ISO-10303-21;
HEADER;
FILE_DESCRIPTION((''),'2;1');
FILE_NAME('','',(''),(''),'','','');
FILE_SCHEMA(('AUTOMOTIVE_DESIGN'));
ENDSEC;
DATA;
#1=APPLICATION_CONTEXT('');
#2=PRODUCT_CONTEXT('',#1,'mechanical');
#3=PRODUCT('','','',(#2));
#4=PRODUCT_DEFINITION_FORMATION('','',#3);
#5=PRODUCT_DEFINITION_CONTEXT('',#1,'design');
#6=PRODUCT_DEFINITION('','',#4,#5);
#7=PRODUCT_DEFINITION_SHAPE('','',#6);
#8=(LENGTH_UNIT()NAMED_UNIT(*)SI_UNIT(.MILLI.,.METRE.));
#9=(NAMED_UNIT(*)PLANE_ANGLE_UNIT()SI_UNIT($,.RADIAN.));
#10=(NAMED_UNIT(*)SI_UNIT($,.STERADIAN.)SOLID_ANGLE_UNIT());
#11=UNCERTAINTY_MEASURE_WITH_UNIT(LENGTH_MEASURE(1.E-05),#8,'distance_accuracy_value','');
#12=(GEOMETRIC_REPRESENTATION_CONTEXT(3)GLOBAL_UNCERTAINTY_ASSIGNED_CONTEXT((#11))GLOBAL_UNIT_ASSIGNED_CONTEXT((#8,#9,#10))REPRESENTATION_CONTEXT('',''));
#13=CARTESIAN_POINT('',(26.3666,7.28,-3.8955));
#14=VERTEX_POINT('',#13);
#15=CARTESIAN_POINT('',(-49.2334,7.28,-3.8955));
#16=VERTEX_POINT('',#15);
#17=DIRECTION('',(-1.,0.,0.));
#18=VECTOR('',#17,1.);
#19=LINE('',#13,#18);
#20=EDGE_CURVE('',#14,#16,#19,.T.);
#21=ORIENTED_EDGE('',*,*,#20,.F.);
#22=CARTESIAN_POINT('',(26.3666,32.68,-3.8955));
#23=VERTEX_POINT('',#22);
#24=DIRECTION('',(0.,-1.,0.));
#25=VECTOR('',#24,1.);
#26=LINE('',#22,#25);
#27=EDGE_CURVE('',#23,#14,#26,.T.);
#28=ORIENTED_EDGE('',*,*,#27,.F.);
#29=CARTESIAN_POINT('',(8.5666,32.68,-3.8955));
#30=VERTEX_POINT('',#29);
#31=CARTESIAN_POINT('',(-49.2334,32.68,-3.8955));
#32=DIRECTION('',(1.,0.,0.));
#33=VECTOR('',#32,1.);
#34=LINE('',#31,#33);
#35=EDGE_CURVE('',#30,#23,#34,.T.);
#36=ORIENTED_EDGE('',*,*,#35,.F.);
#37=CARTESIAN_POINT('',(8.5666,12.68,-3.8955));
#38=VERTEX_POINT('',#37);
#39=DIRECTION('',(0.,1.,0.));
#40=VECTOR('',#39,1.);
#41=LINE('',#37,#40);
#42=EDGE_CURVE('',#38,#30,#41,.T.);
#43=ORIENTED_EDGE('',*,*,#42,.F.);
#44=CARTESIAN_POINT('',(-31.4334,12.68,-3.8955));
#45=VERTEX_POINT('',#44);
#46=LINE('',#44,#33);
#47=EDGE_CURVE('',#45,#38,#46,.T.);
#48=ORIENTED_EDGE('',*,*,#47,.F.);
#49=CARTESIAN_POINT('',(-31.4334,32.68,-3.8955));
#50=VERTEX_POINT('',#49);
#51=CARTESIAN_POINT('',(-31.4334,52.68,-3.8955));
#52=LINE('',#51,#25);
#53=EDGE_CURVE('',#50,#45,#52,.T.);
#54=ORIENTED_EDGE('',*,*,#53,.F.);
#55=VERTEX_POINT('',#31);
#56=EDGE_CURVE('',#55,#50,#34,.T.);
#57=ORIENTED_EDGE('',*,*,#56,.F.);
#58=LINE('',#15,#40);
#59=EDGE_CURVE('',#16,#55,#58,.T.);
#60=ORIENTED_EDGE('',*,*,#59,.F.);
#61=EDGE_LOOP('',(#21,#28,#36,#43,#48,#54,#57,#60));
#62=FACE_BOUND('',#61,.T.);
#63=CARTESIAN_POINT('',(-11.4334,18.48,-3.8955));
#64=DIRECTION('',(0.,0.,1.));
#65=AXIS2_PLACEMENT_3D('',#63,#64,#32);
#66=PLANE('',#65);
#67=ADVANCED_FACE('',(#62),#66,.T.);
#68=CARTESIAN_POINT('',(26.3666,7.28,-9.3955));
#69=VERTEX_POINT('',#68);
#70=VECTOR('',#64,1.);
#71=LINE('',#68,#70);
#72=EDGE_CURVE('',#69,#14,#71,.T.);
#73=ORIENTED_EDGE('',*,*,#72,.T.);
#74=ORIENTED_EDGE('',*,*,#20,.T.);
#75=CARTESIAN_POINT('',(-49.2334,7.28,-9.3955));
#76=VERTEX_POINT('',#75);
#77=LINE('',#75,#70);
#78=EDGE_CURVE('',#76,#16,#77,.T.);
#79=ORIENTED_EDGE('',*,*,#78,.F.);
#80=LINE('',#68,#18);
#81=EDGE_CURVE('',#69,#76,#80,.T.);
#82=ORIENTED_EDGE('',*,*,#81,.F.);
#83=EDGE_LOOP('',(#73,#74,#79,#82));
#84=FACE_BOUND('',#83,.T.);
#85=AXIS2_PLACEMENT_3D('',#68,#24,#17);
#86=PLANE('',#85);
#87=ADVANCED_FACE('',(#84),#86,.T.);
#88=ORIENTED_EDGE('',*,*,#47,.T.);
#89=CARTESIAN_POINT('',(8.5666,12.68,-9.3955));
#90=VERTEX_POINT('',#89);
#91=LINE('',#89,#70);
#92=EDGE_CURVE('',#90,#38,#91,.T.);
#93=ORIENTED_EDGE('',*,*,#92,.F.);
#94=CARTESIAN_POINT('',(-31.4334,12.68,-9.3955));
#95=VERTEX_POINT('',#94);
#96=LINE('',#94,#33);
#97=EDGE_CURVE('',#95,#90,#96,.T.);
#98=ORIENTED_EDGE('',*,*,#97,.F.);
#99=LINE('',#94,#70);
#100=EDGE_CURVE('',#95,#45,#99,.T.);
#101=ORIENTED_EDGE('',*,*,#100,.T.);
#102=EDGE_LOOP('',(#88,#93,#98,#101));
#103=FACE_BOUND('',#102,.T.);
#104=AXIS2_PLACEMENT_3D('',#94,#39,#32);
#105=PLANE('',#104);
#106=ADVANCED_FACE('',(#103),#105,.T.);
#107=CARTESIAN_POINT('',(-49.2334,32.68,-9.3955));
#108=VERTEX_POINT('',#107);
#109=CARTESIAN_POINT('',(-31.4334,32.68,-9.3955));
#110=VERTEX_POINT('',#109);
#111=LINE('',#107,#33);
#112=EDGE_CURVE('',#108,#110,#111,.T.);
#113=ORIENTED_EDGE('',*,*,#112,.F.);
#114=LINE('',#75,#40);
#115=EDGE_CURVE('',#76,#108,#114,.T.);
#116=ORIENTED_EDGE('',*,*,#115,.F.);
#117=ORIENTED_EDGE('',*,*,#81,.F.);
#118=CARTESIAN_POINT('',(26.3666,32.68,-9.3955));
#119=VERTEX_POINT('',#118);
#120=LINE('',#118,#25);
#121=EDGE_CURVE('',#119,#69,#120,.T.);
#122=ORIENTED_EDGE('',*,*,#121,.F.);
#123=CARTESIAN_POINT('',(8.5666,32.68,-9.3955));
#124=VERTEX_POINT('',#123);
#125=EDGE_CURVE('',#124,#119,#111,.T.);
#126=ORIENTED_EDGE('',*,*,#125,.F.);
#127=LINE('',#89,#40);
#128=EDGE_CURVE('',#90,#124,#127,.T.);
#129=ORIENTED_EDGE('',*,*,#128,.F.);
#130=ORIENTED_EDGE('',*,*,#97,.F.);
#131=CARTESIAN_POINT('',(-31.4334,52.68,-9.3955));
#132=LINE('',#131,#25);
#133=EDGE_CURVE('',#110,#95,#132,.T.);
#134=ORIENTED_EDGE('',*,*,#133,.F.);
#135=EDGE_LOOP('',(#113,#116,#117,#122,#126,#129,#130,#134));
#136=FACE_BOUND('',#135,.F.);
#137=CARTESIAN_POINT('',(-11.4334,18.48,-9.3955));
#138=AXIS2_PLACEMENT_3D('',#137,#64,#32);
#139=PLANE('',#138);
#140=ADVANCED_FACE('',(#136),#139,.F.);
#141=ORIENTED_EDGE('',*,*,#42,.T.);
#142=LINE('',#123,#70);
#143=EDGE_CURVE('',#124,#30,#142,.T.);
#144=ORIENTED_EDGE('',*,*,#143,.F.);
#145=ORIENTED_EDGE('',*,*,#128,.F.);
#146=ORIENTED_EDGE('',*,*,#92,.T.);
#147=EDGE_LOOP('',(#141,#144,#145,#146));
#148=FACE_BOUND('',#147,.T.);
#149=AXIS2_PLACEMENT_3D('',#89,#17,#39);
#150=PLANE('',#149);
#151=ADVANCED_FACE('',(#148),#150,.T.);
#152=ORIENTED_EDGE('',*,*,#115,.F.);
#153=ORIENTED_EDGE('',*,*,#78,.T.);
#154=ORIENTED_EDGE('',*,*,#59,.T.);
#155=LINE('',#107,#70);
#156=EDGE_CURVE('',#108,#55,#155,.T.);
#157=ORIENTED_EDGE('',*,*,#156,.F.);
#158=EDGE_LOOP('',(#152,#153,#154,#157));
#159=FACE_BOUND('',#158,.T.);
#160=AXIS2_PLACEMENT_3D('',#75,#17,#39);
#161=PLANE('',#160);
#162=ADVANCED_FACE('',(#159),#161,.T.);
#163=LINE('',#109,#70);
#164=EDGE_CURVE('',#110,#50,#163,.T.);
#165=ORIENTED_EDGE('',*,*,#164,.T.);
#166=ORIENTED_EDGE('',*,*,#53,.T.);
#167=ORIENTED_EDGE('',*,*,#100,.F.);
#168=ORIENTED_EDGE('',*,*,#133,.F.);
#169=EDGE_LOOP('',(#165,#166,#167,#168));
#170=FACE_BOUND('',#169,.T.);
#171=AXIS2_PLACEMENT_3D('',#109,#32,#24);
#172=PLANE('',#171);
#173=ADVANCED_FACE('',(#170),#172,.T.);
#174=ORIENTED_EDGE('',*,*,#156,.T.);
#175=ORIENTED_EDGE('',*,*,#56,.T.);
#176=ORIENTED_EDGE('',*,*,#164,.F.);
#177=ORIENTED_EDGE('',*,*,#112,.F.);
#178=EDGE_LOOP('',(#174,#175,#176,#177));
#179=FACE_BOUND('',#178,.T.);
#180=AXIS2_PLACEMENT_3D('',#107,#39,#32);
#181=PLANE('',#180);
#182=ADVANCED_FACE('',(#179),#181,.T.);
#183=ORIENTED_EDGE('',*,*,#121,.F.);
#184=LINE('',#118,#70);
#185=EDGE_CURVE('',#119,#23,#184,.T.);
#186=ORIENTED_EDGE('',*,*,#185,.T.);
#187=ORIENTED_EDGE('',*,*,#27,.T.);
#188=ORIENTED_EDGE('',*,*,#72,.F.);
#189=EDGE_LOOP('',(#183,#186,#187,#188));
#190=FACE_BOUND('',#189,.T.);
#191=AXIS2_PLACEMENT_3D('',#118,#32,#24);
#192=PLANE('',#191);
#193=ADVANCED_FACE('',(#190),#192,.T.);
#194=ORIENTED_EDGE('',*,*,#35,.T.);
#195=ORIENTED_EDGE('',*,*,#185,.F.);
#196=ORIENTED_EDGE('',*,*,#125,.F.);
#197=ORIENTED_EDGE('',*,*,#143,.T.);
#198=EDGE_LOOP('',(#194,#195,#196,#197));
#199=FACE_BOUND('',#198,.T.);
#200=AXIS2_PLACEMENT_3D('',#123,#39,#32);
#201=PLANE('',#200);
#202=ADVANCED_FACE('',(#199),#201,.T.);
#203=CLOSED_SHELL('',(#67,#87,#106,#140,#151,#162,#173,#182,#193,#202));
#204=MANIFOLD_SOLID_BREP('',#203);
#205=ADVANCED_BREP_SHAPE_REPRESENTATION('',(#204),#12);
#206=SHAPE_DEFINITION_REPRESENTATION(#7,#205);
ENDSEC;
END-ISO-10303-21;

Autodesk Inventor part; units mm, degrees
ref_plane "YZ Plane" through (0, 0, 0) normal (1, 0, 0) x (0, 1, 0)
ref_plane "XZ Plane" through (0, 0, 0) normal (0, 1, 0) x (-1, 0, 0)
ref_plane "XY Plane" through (0, 0, 0) normal (0, 0, 1) x (1, 0, 0)
ref_plane "Arbeitsebene1" through (-11.4334, 18.48, -9.3955) normal (0, 0, 1) x (1, 0, 0)
sketch "Skizze1" plane through (-11.4334, 18.48, -9.3955) normal (0, 0, 1) x (1, 0, 0)
  line L0 (-38, 14.4) -> (38, 14.4) projected
  line L1 (-38, -11.4) -> (-38, 14.4) projected
  line L2 (38, -11.4) -> (-38, -11.4) projected
  line L3 (38, 14.4) -> (38, -11.4) projected
  line L4 (-37.8, 14.2) -> (37.8, 14.2)
  line L5 (37.8, 14.2) -> (37.8, -11.2)
  line L6 (37.8, -11.2) -> (-37.8, -11.2)
  line L7 (-37.8, -11.2) -> (-37.8, 14.2)
  line L8 (20, 34.2) -> (-20, 34.2)
  line L9 (-20, 34.2) -> (-20, -5.8)
  line L10 (-20, -5.8) -> (20, -5.8)
  line L11 (20, -5.8) -> (20, 34.2)
  line L12 (20, 34.2) -> (-20, -5.8) construction
  line L13 (-20, 34.2) -> (20, -5.8) construction
  point P0 (11.4334, -18.48)
  point P1 (0, 14.2)
  point P2 (-20, 14.2)
  point P3 (20, 14.2)
  point P4 (20, 14.2)
  point P5 (-20, 14.2)
  dimension "d0" = 0.2
  dimension "d1" = 20
  dimension "d2" = 40
extrude "Extrusion1" add sketch "Skizze1" along normal blind 5.5 contours L9 L10 L11 L4 L5 L6 L7
properties part number "30_XYTabel_Aliexpress_cellSTORM_chiptray_spacer"
